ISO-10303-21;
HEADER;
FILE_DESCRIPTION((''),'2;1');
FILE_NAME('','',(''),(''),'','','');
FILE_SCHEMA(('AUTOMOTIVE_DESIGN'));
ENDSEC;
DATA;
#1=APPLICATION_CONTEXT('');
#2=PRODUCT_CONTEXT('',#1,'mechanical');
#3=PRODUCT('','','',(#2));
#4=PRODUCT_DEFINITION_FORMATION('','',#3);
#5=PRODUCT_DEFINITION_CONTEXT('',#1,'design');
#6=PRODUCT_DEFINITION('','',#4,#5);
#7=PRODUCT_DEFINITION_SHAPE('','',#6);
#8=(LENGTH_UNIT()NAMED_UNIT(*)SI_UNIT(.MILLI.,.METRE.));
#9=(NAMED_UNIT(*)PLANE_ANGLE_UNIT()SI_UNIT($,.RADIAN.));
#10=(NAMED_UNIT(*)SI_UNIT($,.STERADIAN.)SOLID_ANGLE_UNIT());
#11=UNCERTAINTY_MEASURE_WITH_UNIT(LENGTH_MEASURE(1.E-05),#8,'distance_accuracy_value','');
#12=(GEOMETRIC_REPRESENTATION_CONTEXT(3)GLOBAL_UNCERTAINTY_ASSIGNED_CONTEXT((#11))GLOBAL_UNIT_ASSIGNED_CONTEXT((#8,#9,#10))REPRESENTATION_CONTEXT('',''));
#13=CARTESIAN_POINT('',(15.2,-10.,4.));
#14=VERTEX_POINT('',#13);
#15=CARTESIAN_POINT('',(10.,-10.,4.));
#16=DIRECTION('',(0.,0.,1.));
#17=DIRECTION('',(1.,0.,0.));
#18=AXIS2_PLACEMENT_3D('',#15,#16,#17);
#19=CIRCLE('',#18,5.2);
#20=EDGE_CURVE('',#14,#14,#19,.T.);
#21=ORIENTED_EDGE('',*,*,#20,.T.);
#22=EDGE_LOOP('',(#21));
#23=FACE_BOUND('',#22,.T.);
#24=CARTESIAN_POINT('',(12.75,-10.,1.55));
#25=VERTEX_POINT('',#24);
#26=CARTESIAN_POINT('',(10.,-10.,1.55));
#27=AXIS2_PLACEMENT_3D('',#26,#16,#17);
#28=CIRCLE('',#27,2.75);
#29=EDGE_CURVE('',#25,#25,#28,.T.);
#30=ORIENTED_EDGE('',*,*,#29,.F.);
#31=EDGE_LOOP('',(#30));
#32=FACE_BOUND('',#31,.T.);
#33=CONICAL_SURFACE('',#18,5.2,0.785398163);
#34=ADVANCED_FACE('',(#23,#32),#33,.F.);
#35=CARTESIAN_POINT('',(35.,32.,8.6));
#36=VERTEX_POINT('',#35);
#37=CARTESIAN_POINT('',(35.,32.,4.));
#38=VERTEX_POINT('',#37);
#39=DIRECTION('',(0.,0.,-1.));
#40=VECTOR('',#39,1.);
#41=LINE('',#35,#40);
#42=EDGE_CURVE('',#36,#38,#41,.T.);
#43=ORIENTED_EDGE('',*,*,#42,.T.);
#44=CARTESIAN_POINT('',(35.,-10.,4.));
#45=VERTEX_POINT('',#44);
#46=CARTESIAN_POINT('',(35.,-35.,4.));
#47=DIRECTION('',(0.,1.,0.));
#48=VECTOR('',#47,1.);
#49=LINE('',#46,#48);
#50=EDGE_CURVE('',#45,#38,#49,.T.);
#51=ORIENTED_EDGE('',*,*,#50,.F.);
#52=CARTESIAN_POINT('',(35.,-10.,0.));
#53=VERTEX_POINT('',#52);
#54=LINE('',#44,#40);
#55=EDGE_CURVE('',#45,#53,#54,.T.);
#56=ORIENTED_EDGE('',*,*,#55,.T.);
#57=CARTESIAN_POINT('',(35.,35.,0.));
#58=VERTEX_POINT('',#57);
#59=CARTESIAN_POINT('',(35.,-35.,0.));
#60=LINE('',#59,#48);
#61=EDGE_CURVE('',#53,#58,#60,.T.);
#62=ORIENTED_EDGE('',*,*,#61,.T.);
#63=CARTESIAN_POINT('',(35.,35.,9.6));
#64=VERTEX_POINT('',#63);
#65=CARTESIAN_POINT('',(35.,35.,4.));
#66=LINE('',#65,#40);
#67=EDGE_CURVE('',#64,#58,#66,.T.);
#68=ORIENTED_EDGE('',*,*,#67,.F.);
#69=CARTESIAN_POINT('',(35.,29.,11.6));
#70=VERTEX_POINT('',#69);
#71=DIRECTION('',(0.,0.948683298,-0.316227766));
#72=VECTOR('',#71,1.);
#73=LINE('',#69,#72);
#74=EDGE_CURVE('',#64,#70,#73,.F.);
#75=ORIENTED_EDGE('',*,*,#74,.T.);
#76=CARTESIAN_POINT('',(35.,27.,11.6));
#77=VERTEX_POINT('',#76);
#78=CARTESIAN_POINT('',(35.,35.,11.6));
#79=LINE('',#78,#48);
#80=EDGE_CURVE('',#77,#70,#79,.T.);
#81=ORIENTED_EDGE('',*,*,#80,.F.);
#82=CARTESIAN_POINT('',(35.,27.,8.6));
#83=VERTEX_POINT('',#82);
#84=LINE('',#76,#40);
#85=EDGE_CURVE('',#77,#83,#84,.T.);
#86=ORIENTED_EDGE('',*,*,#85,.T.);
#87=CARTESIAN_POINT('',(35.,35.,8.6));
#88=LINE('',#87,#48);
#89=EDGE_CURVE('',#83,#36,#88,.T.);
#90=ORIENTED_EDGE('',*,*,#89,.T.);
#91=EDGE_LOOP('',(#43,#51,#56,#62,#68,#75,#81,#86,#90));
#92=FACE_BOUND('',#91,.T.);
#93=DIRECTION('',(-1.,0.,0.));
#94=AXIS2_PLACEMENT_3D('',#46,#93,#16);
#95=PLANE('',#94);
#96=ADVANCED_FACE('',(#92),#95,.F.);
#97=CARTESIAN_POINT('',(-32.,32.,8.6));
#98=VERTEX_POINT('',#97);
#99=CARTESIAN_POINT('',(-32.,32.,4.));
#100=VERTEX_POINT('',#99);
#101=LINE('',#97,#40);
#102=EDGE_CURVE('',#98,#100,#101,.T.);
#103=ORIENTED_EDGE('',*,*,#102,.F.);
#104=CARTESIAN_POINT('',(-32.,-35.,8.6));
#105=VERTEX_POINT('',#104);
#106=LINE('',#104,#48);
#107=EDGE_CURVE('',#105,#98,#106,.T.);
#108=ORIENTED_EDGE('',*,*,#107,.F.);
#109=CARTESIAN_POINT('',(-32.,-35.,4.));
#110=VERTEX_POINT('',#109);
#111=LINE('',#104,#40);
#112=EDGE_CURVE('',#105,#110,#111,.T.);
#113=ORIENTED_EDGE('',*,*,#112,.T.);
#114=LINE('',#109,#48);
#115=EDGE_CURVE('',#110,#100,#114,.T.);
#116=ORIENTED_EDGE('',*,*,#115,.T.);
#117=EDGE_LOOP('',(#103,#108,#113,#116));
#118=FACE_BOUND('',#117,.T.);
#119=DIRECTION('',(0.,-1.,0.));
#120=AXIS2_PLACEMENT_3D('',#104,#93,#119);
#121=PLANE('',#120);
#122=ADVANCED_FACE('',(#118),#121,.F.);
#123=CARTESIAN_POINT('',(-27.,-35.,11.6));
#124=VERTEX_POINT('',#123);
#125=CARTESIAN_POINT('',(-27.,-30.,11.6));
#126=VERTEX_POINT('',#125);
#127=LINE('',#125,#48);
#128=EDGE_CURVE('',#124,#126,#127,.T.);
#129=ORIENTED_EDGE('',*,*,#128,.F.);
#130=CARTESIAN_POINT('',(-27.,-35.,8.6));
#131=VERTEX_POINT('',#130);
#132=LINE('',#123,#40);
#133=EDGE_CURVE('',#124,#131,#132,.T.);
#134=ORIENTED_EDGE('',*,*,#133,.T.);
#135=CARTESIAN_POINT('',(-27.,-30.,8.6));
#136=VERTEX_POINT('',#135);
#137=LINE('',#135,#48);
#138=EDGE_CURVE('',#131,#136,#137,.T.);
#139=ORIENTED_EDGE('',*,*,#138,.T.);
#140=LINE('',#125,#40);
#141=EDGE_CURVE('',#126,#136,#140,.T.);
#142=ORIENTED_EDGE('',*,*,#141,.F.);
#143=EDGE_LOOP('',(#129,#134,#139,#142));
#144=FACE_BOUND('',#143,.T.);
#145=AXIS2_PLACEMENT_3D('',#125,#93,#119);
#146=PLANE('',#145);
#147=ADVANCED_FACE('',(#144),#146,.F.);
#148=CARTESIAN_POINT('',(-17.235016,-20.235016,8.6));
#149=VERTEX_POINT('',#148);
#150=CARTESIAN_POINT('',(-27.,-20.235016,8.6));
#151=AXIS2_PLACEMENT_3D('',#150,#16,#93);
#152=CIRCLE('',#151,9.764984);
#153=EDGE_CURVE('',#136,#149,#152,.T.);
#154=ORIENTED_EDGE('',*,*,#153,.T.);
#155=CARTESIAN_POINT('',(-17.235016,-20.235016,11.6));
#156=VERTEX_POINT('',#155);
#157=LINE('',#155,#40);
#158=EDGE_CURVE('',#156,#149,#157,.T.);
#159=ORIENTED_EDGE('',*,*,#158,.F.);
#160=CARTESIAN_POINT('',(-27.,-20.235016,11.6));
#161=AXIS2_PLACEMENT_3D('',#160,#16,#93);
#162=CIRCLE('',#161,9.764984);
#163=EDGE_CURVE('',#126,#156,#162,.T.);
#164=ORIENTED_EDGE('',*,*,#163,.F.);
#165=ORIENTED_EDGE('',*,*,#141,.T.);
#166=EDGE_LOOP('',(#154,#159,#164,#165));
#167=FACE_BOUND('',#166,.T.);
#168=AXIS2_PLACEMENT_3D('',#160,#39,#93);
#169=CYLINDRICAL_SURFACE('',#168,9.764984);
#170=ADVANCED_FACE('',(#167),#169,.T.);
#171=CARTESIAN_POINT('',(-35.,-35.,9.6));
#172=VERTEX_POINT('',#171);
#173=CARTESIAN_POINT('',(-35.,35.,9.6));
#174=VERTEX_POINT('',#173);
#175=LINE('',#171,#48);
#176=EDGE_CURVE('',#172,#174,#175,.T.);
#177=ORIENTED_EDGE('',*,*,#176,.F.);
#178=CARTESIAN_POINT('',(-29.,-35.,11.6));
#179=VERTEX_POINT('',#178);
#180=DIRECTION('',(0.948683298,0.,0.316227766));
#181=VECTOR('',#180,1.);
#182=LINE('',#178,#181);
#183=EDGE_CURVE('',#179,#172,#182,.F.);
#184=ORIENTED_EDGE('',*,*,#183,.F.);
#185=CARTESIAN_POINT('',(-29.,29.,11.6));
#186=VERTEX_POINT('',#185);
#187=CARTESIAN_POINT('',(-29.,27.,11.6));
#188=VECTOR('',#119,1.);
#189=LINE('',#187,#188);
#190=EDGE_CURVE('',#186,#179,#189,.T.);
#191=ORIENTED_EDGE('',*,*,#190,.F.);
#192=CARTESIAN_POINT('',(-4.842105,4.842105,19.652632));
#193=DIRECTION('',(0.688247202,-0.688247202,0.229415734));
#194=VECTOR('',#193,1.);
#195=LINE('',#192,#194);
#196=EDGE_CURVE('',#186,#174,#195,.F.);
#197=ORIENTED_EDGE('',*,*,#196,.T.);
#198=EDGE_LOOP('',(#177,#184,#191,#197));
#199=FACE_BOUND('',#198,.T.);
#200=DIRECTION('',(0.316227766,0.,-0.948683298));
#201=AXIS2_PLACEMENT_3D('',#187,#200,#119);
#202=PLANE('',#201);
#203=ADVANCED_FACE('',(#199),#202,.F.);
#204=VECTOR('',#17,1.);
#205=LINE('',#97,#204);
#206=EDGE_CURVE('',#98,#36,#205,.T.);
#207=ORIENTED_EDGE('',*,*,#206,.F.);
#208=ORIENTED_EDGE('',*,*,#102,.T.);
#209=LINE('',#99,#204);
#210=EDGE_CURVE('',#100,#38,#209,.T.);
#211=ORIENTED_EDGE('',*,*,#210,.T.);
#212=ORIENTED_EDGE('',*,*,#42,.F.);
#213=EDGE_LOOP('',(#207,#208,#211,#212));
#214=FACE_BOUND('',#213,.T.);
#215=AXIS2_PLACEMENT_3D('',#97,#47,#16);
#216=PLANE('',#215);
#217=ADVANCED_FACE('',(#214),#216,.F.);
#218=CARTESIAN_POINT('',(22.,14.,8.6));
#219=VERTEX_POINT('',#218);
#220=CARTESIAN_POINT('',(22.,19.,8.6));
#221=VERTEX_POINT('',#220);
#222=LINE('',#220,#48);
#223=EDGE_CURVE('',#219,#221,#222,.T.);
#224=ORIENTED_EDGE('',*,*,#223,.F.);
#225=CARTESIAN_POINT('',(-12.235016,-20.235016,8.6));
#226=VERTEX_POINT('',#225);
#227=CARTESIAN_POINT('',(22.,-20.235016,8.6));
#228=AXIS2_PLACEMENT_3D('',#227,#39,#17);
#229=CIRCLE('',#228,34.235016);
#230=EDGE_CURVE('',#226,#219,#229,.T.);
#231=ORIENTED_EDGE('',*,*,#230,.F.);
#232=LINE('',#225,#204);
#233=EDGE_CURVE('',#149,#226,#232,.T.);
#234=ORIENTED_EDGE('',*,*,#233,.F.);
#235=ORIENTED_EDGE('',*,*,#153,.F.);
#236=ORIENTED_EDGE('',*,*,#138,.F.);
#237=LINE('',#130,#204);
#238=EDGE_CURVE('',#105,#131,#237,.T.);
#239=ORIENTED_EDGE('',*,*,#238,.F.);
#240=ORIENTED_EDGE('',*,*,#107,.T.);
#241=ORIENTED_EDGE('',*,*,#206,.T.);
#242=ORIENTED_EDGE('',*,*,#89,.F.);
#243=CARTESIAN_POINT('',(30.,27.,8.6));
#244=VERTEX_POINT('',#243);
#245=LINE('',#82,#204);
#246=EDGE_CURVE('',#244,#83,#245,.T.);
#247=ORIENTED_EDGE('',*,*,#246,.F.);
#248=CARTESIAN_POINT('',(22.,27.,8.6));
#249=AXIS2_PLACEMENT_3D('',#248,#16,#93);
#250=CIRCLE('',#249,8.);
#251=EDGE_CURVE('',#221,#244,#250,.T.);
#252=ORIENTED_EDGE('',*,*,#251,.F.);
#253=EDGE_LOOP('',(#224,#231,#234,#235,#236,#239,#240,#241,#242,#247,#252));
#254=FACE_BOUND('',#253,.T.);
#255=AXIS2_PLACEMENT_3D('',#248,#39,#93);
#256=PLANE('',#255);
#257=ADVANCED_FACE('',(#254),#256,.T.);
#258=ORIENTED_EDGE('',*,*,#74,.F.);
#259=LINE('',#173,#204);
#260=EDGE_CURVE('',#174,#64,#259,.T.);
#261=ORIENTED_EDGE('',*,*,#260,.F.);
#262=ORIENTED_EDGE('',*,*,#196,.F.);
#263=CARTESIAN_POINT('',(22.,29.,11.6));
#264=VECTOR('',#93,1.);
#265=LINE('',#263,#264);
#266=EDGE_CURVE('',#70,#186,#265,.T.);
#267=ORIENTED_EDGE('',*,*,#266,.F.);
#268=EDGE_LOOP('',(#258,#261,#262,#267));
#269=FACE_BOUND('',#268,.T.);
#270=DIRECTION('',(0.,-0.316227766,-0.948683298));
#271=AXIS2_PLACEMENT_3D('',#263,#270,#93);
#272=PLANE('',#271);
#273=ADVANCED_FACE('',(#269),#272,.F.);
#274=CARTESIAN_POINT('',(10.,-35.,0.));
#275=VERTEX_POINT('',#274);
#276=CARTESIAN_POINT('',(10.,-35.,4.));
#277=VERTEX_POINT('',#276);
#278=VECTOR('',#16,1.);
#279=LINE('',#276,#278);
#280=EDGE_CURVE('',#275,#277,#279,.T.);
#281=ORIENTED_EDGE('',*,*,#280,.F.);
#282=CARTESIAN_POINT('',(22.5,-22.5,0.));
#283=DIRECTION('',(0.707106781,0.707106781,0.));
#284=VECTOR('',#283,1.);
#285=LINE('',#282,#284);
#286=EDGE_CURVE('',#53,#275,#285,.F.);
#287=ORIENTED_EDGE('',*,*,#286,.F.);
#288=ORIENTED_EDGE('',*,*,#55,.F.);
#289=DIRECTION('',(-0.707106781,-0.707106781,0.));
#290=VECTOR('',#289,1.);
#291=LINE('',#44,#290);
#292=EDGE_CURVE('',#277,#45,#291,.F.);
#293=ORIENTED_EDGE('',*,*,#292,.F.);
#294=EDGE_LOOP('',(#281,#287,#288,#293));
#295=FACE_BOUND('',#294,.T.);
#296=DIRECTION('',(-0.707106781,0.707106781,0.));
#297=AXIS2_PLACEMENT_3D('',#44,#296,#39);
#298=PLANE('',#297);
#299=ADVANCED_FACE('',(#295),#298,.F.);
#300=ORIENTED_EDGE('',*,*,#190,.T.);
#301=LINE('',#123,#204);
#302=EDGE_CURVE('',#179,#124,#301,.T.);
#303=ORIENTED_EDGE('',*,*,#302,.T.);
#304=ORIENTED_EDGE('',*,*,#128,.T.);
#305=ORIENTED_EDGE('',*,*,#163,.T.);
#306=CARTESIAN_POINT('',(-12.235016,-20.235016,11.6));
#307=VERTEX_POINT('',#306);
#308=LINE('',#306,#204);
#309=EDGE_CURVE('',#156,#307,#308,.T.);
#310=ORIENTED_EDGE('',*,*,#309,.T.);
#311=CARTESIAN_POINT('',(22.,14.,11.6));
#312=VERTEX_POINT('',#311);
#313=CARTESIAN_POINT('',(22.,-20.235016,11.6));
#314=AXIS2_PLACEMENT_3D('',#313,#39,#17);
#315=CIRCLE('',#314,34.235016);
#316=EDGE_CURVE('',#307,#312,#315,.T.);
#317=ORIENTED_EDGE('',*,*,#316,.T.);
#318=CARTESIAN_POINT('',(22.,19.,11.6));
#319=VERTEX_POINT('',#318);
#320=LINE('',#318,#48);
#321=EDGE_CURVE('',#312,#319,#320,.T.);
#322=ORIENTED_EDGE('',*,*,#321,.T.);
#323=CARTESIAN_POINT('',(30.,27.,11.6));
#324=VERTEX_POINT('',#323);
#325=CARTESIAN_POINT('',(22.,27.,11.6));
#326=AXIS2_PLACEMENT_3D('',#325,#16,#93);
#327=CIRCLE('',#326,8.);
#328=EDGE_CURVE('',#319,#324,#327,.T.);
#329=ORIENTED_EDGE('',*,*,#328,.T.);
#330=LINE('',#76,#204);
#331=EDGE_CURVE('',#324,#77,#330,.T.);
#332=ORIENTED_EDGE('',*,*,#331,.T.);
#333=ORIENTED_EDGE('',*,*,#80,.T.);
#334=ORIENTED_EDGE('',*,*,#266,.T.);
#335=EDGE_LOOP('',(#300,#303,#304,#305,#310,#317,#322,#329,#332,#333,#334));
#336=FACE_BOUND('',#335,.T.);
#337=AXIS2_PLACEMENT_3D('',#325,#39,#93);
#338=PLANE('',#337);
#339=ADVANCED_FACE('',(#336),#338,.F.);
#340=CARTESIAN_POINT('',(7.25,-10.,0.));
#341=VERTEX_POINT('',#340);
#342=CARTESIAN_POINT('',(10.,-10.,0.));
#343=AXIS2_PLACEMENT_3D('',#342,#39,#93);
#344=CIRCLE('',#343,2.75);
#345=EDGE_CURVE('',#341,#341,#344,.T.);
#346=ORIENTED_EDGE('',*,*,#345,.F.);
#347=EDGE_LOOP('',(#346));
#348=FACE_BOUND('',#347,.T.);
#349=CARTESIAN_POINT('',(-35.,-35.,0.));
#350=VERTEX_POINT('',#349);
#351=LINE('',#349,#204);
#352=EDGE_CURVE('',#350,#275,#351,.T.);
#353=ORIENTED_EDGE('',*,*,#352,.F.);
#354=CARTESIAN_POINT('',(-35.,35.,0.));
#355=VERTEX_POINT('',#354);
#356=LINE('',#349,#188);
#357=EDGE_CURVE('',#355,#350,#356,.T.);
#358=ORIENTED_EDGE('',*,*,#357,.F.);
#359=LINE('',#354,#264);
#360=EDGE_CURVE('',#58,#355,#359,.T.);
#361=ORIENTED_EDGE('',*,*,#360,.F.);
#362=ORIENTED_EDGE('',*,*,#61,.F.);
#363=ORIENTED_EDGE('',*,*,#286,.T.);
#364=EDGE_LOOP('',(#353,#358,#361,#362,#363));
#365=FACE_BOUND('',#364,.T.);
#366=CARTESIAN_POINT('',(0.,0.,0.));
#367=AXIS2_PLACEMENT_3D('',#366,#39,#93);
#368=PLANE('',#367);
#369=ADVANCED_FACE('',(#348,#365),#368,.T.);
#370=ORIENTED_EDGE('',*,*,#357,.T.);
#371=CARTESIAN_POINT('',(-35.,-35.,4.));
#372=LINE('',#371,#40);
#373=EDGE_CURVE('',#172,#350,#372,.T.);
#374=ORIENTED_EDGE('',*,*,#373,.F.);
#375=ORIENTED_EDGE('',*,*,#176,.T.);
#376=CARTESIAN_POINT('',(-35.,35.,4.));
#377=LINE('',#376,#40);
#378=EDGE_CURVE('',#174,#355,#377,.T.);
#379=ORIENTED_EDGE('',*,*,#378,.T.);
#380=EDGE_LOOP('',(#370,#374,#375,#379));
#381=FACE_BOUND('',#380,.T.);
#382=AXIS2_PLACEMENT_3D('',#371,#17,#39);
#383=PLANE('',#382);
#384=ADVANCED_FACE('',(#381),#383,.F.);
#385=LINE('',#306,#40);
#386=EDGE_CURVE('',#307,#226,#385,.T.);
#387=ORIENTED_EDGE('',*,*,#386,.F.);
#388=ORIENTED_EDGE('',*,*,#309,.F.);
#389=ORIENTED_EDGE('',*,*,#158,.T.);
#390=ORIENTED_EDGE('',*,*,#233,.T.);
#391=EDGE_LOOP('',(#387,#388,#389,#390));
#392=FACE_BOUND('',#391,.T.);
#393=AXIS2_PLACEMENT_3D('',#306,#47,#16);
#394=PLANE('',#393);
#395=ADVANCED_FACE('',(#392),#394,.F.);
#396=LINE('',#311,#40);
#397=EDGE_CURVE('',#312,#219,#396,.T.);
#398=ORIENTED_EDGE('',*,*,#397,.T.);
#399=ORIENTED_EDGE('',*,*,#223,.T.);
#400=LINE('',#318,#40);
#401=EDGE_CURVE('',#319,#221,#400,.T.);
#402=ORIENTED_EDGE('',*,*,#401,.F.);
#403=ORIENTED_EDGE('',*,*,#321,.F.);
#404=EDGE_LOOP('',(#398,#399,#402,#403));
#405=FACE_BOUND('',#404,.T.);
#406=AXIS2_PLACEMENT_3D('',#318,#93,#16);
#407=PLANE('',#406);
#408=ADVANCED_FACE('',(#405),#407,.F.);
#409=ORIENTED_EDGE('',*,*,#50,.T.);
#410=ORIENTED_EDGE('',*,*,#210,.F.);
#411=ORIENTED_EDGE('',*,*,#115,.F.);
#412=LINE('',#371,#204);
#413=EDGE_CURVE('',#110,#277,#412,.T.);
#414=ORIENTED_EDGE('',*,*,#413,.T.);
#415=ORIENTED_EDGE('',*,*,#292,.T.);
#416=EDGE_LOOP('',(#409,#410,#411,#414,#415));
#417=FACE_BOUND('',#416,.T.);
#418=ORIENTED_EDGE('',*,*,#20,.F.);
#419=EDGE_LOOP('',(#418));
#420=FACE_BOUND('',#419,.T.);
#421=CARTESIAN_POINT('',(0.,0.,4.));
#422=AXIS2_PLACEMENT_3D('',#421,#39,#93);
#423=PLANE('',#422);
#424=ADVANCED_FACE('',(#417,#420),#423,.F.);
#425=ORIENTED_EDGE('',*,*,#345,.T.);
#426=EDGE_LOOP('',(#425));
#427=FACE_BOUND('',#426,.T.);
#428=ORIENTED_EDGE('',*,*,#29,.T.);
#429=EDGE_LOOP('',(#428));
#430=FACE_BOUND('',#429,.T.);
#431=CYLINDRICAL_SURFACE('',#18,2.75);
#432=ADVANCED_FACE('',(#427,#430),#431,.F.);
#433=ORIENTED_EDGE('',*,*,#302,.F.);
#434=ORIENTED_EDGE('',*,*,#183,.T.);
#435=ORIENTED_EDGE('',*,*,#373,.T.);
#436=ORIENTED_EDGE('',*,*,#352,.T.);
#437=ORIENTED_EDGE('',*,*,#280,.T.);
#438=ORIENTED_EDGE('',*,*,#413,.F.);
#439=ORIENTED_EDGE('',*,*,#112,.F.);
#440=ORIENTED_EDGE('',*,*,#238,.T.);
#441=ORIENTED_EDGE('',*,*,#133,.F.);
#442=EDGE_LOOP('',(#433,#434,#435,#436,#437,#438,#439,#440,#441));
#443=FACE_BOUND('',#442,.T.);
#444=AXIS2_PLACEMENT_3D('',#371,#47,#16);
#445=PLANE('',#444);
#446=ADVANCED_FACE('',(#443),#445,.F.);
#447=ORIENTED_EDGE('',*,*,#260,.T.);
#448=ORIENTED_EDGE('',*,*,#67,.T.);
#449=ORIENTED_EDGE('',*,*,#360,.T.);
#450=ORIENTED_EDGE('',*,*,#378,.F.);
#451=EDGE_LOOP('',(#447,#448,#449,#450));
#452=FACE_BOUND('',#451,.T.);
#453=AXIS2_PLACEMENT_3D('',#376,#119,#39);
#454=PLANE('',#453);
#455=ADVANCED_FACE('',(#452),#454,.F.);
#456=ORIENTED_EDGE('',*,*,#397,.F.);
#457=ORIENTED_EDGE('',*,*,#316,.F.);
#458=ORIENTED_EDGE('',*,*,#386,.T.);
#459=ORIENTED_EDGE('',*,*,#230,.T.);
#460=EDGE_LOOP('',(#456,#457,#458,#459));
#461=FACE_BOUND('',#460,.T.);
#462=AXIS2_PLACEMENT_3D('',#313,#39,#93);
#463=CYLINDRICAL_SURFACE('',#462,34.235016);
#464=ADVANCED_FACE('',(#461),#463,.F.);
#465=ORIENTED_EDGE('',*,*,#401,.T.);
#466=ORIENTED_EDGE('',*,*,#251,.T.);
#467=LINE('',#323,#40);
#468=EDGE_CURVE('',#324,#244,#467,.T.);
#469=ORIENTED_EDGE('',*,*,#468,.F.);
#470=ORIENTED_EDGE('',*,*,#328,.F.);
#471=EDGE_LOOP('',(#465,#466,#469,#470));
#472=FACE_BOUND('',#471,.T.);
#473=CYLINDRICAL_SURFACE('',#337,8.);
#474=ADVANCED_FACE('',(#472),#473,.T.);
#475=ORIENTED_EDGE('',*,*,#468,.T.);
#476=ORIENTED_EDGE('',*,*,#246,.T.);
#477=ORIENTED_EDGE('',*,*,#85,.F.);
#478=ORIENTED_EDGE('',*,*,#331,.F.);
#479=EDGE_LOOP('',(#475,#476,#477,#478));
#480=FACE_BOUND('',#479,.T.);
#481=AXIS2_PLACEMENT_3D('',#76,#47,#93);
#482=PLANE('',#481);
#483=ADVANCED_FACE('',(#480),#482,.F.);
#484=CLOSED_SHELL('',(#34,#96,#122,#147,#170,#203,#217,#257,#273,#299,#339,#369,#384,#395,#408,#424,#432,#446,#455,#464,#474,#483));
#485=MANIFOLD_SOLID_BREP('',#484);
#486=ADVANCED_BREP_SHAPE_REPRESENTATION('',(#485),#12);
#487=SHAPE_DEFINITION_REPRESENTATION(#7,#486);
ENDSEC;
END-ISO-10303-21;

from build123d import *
from OCP.BRepFilletAPI import BRepFilletAPI_MakeChamfer

# Parameters (mm, degrees)
ESQUISSE1_W        = 70
ESQUISSE1_H        = 70
BOSS_EXTRU_1_DEPTH = 4
BOSS_EXTRU_2_DEPTH = 4.6
BOSS_EXTRU_3_DEPTH = 3
CHANFREIN1_SIZE    = 2
CHANFREIN1_SIZE2   = 6
CHANFREIN2_SIZE    = 25


with BuildPart() as part:
    # Esquisse1 → Boss.-Extru.1 (new body)
    with BuildSketch(Plane.XY):
        Rectangle(ESQUISSE1_W, ESQUISSE1_H)
    extrude(amount=BOSS_EXTRU_1_DEPTH)

    # Esquisse2 → Boss.-Extru.2 (add)
    with BuildSketch(Plane.XY.offset(4)):
        Polygon((-35, 35), (-35, -35), (-32, -35), (-32, 32), (35, 32), (35, 35), align=None)
    extrude(amount=BOSS_EXTRU_2_DEPTH)

    # Esquisse3 → Boss.-Extru.3 (add)
    with BuildSketch(Plane.XY.offset(8.6)):
        with BuildLine():
            Line((35, 35), (-35, 35))
            Line((-35, 35), (-35, -35))
            Line((-35, -35), (-27, -35))
            Line((-27, -35), (-27, -30))
            ThreePointArc((-27, -30), (-20.095113441, -27.13990234), (-17.235015781, -20.235015781))
            Line((-17.235015781, -20.235015781), (-12.235015781, -20.235015781))
            ThreePointArc((-12.235015781, -20.235015781), (-2.207811813, 3.972796032), (22, 14))
            Line((22, 14), (22, 19))
            ThreePointArc((22, 19), (27.656854249, 21.343145751), (30, 27))
            Line((30, 27), (35, 27))
            Line((35, 27), (35, 35))
        make_face()
    extrude(amount=BOSS_EXTRU_3_DEPTH)

    # Chanfrein1: one chamfer whose edges measure the first distance from different faces: ONE call of the kernel's chamfer builder (chamfer() names one face for all edges)
    chanfrein1_edges_1 = [part.edges().sort_by_distance(p)[0] for p in [
        (0, 35, 11.6),
    ]]
    chanfrein1_side_1 = [part.faces().sort_by_distance(p)[0] for p in [
        (0, 35, 5.8),
    ]]
    chanfrein1_edges_2 = [part.edges().sort_by_distance(p)[0] for p in [
        (-35, 0, 11.6),
    ]]
    chanfrein1_side_2 = [part.faces().sort_by_distance(p)[0] for p in [
        (-35, 0, 5.8),
    ]]
    chanfrein1 = BRepFilletAPI_MakeChamfer(part.part.solid().wrapped)
    for e in chanfrein1_edges_1:
        chanfrein1.Add(CHANFREIN1_SIZE, CHANFREIN1_SIZE2, e.wrapped, chanfrein1_side_1[0].wrapped)  # the first distance lies on this face
    for e in chanfrein1_edges_2:
        chanfrein1.Add(CHANFREIN1_SIZE, CHANFREIN1_SIZE2, e.wrapped, chanfrein1_side_2[0].wrapped)  # the first distance lies on this face
    add(Compound.cast(chanfrein1.Shape()), mode=Mode.REPLACE)

    # Chanfrein2
    chanfrein2_edges = [part.edges().sort_by_distance(p)[0] for p in [
        (35, -35, 2),
    ]]
    chamfer(chanfrein2_edges, length=CHANFREIN2_SIZE)

    # Esquisse4 → Fraisage pour vis à tête fraisée M51 (revolve, cut)
    with BuildSketch(Plane(origin=(10, -10, 4), x_dir=(0, -1, 0), z_dir=(1, 0, 0))):
        Polygon((0, 0), (0, 4), (2.75, 4), (2.75, 2.45), (5.2, 0), align=None)
    revolve(axis=Axis((10, -10, 10.35), (0, 0, -1)), mode=Mode.SUBTRACT)


solid = part.part
